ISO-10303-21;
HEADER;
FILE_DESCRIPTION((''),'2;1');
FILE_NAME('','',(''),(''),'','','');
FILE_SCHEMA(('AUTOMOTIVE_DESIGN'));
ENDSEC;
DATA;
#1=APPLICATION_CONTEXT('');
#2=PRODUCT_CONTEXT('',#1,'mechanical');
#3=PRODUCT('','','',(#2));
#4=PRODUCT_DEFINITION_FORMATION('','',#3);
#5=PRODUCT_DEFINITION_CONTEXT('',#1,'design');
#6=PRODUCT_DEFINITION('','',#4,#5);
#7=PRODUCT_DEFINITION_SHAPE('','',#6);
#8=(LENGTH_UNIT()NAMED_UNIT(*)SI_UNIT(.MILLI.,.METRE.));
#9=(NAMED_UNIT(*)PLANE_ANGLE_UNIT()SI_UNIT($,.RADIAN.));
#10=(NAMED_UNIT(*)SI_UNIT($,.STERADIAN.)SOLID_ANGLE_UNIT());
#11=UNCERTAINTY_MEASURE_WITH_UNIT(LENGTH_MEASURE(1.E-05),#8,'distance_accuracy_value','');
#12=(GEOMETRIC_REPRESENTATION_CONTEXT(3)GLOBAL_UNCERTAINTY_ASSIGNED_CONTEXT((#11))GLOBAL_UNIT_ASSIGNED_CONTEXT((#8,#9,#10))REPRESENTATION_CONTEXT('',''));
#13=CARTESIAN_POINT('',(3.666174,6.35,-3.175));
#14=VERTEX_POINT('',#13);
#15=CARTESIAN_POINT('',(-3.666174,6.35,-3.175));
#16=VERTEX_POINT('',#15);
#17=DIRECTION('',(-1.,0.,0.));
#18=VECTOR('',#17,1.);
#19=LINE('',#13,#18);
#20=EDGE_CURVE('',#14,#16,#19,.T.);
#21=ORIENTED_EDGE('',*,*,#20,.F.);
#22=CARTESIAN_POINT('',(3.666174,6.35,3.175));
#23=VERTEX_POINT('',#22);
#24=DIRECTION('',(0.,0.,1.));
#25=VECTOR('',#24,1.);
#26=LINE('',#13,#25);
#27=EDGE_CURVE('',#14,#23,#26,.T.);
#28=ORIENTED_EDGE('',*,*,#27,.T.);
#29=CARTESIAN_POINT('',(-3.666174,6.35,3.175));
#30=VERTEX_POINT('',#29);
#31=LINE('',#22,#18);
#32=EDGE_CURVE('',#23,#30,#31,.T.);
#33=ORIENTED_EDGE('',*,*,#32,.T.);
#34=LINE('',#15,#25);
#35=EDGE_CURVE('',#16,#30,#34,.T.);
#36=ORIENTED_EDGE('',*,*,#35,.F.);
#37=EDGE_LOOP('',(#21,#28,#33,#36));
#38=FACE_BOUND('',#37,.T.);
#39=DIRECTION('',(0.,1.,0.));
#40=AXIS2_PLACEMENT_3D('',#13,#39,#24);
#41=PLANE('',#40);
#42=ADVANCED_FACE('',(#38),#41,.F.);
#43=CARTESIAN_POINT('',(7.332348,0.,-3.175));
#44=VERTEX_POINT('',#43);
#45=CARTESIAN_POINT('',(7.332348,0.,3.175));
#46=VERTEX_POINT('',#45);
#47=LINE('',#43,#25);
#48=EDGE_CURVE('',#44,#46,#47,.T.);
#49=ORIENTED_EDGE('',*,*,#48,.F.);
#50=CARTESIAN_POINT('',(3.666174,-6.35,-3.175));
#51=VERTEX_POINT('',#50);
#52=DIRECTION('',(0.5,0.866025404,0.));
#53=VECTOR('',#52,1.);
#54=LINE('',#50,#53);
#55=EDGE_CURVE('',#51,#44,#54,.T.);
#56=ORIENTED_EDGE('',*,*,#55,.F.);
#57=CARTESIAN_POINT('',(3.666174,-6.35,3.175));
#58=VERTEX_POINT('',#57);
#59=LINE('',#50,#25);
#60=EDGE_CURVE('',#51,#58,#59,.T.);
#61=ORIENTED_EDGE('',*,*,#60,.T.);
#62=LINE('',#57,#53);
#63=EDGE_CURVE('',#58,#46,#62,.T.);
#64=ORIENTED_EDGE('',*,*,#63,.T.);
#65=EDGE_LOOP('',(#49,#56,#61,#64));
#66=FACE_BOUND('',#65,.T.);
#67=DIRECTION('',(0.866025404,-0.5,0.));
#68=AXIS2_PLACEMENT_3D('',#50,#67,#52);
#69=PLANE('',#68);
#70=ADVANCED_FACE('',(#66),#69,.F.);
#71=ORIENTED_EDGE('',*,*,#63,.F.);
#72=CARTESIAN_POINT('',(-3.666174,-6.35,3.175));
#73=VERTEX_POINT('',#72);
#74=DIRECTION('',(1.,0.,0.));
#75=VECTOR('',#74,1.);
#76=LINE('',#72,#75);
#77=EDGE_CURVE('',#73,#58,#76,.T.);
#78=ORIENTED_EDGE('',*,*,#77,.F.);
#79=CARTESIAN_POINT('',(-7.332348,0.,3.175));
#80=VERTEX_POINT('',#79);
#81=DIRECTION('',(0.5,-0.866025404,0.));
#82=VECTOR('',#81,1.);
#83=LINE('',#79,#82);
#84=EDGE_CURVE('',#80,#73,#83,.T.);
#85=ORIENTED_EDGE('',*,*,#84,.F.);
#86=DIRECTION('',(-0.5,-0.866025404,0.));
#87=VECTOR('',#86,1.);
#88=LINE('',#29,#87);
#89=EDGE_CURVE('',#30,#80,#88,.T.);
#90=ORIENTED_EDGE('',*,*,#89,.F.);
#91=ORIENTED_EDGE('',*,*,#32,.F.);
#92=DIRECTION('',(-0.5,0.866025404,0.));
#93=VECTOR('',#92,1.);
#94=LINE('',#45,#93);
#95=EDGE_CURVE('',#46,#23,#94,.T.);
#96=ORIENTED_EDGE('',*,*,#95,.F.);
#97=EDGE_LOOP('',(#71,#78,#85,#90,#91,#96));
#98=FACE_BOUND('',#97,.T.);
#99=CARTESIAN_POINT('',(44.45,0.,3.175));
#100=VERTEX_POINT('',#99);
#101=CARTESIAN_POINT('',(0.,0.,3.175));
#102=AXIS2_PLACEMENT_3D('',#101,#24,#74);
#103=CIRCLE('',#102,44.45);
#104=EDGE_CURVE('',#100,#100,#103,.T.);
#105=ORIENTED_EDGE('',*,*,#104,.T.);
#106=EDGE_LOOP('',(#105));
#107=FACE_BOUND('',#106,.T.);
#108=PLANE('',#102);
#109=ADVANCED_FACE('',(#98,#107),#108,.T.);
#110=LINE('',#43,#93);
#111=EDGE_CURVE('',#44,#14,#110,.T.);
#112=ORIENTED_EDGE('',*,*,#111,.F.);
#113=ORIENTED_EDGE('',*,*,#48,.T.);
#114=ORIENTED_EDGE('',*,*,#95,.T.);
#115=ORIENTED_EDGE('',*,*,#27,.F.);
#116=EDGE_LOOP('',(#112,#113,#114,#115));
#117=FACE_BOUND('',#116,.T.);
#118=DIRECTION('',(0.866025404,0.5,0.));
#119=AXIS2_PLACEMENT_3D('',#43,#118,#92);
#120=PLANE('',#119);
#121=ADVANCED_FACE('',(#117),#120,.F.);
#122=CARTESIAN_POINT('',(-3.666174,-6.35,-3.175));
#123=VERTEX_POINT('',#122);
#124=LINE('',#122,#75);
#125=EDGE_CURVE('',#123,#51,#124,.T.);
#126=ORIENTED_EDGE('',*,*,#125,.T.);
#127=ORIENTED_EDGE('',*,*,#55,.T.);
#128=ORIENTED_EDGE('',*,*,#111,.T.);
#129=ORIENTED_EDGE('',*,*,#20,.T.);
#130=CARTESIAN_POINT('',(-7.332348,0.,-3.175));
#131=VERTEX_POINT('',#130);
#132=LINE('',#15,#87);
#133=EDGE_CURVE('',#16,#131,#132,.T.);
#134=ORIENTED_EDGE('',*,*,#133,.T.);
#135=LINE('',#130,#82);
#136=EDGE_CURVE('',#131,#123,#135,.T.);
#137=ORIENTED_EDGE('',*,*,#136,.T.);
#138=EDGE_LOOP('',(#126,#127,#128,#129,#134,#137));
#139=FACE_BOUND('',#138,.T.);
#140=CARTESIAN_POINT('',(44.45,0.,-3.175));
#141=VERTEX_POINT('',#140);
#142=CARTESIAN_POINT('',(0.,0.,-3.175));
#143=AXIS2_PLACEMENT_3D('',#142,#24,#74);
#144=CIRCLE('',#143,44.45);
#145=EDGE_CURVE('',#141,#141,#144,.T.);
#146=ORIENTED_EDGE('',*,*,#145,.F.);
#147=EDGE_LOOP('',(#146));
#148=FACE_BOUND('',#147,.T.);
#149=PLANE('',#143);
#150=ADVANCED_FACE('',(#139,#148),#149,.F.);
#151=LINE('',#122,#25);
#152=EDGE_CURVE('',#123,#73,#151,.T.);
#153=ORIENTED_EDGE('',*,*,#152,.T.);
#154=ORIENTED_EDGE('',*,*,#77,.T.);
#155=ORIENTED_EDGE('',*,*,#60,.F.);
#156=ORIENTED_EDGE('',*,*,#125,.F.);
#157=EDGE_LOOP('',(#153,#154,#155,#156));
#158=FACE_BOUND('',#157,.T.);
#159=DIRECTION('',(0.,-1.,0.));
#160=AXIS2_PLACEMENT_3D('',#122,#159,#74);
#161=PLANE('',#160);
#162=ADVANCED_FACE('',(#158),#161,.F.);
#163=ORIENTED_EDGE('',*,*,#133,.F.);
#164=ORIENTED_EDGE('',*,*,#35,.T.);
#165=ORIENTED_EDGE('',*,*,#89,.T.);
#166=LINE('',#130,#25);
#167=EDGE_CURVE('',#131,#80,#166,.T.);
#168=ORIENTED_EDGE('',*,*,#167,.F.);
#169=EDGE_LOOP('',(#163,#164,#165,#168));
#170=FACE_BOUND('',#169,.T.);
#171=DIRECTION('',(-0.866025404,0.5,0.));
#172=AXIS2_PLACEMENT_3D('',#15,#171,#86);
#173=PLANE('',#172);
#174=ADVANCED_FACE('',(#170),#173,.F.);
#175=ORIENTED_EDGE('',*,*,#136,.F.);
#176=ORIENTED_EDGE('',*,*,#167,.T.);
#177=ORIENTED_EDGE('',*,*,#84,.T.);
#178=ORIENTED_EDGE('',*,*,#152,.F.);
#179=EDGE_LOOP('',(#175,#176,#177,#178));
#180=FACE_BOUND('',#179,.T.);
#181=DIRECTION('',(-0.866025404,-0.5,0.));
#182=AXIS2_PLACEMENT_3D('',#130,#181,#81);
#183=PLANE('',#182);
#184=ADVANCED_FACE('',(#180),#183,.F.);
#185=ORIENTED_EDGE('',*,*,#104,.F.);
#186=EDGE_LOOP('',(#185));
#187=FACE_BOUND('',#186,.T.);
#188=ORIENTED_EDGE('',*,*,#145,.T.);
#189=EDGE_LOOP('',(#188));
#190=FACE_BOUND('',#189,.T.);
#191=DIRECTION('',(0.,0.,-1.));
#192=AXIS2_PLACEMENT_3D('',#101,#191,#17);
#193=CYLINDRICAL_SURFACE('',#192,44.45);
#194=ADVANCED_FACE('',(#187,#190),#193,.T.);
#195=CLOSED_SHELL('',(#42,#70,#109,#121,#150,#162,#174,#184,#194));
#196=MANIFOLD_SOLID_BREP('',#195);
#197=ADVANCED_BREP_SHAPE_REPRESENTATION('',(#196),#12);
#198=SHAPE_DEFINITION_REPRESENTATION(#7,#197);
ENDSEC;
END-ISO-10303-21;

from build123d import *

# Parameters (mm, degrees)
SKETCH1_R           = 44.45
BOSS_EXTRUDE1_DEPTH = 3.175
CUT_EXTRUDE1_DEPTH  = 3.175


with BuildPart() as part:
    # Sketch1 → Boss-Extrude1 (new body, symmetric)
    with BuildSketch(Plane.XY):
        Circle(SKETCH1_R)
    extrude(amount=BOSS_EXTRUDE1_DEPTH, both=True)

    # Sketch2 → Cut-Extrude1 (cut, symmetric)
    with BuildSketch(Plane.XY):
        Polygon((7.332348419, 0), (3.666174209, 6.35), (-3.666174209, 6.35), (-7.332348419, 0), (-3.666174209, -6.35), (3.666174209, -6.35), align=None)
    extrude(amount=CUT_EXTRUDE1_DEPTH, both=True, mode=Mode.SUBTRACT)


solid = part.part
